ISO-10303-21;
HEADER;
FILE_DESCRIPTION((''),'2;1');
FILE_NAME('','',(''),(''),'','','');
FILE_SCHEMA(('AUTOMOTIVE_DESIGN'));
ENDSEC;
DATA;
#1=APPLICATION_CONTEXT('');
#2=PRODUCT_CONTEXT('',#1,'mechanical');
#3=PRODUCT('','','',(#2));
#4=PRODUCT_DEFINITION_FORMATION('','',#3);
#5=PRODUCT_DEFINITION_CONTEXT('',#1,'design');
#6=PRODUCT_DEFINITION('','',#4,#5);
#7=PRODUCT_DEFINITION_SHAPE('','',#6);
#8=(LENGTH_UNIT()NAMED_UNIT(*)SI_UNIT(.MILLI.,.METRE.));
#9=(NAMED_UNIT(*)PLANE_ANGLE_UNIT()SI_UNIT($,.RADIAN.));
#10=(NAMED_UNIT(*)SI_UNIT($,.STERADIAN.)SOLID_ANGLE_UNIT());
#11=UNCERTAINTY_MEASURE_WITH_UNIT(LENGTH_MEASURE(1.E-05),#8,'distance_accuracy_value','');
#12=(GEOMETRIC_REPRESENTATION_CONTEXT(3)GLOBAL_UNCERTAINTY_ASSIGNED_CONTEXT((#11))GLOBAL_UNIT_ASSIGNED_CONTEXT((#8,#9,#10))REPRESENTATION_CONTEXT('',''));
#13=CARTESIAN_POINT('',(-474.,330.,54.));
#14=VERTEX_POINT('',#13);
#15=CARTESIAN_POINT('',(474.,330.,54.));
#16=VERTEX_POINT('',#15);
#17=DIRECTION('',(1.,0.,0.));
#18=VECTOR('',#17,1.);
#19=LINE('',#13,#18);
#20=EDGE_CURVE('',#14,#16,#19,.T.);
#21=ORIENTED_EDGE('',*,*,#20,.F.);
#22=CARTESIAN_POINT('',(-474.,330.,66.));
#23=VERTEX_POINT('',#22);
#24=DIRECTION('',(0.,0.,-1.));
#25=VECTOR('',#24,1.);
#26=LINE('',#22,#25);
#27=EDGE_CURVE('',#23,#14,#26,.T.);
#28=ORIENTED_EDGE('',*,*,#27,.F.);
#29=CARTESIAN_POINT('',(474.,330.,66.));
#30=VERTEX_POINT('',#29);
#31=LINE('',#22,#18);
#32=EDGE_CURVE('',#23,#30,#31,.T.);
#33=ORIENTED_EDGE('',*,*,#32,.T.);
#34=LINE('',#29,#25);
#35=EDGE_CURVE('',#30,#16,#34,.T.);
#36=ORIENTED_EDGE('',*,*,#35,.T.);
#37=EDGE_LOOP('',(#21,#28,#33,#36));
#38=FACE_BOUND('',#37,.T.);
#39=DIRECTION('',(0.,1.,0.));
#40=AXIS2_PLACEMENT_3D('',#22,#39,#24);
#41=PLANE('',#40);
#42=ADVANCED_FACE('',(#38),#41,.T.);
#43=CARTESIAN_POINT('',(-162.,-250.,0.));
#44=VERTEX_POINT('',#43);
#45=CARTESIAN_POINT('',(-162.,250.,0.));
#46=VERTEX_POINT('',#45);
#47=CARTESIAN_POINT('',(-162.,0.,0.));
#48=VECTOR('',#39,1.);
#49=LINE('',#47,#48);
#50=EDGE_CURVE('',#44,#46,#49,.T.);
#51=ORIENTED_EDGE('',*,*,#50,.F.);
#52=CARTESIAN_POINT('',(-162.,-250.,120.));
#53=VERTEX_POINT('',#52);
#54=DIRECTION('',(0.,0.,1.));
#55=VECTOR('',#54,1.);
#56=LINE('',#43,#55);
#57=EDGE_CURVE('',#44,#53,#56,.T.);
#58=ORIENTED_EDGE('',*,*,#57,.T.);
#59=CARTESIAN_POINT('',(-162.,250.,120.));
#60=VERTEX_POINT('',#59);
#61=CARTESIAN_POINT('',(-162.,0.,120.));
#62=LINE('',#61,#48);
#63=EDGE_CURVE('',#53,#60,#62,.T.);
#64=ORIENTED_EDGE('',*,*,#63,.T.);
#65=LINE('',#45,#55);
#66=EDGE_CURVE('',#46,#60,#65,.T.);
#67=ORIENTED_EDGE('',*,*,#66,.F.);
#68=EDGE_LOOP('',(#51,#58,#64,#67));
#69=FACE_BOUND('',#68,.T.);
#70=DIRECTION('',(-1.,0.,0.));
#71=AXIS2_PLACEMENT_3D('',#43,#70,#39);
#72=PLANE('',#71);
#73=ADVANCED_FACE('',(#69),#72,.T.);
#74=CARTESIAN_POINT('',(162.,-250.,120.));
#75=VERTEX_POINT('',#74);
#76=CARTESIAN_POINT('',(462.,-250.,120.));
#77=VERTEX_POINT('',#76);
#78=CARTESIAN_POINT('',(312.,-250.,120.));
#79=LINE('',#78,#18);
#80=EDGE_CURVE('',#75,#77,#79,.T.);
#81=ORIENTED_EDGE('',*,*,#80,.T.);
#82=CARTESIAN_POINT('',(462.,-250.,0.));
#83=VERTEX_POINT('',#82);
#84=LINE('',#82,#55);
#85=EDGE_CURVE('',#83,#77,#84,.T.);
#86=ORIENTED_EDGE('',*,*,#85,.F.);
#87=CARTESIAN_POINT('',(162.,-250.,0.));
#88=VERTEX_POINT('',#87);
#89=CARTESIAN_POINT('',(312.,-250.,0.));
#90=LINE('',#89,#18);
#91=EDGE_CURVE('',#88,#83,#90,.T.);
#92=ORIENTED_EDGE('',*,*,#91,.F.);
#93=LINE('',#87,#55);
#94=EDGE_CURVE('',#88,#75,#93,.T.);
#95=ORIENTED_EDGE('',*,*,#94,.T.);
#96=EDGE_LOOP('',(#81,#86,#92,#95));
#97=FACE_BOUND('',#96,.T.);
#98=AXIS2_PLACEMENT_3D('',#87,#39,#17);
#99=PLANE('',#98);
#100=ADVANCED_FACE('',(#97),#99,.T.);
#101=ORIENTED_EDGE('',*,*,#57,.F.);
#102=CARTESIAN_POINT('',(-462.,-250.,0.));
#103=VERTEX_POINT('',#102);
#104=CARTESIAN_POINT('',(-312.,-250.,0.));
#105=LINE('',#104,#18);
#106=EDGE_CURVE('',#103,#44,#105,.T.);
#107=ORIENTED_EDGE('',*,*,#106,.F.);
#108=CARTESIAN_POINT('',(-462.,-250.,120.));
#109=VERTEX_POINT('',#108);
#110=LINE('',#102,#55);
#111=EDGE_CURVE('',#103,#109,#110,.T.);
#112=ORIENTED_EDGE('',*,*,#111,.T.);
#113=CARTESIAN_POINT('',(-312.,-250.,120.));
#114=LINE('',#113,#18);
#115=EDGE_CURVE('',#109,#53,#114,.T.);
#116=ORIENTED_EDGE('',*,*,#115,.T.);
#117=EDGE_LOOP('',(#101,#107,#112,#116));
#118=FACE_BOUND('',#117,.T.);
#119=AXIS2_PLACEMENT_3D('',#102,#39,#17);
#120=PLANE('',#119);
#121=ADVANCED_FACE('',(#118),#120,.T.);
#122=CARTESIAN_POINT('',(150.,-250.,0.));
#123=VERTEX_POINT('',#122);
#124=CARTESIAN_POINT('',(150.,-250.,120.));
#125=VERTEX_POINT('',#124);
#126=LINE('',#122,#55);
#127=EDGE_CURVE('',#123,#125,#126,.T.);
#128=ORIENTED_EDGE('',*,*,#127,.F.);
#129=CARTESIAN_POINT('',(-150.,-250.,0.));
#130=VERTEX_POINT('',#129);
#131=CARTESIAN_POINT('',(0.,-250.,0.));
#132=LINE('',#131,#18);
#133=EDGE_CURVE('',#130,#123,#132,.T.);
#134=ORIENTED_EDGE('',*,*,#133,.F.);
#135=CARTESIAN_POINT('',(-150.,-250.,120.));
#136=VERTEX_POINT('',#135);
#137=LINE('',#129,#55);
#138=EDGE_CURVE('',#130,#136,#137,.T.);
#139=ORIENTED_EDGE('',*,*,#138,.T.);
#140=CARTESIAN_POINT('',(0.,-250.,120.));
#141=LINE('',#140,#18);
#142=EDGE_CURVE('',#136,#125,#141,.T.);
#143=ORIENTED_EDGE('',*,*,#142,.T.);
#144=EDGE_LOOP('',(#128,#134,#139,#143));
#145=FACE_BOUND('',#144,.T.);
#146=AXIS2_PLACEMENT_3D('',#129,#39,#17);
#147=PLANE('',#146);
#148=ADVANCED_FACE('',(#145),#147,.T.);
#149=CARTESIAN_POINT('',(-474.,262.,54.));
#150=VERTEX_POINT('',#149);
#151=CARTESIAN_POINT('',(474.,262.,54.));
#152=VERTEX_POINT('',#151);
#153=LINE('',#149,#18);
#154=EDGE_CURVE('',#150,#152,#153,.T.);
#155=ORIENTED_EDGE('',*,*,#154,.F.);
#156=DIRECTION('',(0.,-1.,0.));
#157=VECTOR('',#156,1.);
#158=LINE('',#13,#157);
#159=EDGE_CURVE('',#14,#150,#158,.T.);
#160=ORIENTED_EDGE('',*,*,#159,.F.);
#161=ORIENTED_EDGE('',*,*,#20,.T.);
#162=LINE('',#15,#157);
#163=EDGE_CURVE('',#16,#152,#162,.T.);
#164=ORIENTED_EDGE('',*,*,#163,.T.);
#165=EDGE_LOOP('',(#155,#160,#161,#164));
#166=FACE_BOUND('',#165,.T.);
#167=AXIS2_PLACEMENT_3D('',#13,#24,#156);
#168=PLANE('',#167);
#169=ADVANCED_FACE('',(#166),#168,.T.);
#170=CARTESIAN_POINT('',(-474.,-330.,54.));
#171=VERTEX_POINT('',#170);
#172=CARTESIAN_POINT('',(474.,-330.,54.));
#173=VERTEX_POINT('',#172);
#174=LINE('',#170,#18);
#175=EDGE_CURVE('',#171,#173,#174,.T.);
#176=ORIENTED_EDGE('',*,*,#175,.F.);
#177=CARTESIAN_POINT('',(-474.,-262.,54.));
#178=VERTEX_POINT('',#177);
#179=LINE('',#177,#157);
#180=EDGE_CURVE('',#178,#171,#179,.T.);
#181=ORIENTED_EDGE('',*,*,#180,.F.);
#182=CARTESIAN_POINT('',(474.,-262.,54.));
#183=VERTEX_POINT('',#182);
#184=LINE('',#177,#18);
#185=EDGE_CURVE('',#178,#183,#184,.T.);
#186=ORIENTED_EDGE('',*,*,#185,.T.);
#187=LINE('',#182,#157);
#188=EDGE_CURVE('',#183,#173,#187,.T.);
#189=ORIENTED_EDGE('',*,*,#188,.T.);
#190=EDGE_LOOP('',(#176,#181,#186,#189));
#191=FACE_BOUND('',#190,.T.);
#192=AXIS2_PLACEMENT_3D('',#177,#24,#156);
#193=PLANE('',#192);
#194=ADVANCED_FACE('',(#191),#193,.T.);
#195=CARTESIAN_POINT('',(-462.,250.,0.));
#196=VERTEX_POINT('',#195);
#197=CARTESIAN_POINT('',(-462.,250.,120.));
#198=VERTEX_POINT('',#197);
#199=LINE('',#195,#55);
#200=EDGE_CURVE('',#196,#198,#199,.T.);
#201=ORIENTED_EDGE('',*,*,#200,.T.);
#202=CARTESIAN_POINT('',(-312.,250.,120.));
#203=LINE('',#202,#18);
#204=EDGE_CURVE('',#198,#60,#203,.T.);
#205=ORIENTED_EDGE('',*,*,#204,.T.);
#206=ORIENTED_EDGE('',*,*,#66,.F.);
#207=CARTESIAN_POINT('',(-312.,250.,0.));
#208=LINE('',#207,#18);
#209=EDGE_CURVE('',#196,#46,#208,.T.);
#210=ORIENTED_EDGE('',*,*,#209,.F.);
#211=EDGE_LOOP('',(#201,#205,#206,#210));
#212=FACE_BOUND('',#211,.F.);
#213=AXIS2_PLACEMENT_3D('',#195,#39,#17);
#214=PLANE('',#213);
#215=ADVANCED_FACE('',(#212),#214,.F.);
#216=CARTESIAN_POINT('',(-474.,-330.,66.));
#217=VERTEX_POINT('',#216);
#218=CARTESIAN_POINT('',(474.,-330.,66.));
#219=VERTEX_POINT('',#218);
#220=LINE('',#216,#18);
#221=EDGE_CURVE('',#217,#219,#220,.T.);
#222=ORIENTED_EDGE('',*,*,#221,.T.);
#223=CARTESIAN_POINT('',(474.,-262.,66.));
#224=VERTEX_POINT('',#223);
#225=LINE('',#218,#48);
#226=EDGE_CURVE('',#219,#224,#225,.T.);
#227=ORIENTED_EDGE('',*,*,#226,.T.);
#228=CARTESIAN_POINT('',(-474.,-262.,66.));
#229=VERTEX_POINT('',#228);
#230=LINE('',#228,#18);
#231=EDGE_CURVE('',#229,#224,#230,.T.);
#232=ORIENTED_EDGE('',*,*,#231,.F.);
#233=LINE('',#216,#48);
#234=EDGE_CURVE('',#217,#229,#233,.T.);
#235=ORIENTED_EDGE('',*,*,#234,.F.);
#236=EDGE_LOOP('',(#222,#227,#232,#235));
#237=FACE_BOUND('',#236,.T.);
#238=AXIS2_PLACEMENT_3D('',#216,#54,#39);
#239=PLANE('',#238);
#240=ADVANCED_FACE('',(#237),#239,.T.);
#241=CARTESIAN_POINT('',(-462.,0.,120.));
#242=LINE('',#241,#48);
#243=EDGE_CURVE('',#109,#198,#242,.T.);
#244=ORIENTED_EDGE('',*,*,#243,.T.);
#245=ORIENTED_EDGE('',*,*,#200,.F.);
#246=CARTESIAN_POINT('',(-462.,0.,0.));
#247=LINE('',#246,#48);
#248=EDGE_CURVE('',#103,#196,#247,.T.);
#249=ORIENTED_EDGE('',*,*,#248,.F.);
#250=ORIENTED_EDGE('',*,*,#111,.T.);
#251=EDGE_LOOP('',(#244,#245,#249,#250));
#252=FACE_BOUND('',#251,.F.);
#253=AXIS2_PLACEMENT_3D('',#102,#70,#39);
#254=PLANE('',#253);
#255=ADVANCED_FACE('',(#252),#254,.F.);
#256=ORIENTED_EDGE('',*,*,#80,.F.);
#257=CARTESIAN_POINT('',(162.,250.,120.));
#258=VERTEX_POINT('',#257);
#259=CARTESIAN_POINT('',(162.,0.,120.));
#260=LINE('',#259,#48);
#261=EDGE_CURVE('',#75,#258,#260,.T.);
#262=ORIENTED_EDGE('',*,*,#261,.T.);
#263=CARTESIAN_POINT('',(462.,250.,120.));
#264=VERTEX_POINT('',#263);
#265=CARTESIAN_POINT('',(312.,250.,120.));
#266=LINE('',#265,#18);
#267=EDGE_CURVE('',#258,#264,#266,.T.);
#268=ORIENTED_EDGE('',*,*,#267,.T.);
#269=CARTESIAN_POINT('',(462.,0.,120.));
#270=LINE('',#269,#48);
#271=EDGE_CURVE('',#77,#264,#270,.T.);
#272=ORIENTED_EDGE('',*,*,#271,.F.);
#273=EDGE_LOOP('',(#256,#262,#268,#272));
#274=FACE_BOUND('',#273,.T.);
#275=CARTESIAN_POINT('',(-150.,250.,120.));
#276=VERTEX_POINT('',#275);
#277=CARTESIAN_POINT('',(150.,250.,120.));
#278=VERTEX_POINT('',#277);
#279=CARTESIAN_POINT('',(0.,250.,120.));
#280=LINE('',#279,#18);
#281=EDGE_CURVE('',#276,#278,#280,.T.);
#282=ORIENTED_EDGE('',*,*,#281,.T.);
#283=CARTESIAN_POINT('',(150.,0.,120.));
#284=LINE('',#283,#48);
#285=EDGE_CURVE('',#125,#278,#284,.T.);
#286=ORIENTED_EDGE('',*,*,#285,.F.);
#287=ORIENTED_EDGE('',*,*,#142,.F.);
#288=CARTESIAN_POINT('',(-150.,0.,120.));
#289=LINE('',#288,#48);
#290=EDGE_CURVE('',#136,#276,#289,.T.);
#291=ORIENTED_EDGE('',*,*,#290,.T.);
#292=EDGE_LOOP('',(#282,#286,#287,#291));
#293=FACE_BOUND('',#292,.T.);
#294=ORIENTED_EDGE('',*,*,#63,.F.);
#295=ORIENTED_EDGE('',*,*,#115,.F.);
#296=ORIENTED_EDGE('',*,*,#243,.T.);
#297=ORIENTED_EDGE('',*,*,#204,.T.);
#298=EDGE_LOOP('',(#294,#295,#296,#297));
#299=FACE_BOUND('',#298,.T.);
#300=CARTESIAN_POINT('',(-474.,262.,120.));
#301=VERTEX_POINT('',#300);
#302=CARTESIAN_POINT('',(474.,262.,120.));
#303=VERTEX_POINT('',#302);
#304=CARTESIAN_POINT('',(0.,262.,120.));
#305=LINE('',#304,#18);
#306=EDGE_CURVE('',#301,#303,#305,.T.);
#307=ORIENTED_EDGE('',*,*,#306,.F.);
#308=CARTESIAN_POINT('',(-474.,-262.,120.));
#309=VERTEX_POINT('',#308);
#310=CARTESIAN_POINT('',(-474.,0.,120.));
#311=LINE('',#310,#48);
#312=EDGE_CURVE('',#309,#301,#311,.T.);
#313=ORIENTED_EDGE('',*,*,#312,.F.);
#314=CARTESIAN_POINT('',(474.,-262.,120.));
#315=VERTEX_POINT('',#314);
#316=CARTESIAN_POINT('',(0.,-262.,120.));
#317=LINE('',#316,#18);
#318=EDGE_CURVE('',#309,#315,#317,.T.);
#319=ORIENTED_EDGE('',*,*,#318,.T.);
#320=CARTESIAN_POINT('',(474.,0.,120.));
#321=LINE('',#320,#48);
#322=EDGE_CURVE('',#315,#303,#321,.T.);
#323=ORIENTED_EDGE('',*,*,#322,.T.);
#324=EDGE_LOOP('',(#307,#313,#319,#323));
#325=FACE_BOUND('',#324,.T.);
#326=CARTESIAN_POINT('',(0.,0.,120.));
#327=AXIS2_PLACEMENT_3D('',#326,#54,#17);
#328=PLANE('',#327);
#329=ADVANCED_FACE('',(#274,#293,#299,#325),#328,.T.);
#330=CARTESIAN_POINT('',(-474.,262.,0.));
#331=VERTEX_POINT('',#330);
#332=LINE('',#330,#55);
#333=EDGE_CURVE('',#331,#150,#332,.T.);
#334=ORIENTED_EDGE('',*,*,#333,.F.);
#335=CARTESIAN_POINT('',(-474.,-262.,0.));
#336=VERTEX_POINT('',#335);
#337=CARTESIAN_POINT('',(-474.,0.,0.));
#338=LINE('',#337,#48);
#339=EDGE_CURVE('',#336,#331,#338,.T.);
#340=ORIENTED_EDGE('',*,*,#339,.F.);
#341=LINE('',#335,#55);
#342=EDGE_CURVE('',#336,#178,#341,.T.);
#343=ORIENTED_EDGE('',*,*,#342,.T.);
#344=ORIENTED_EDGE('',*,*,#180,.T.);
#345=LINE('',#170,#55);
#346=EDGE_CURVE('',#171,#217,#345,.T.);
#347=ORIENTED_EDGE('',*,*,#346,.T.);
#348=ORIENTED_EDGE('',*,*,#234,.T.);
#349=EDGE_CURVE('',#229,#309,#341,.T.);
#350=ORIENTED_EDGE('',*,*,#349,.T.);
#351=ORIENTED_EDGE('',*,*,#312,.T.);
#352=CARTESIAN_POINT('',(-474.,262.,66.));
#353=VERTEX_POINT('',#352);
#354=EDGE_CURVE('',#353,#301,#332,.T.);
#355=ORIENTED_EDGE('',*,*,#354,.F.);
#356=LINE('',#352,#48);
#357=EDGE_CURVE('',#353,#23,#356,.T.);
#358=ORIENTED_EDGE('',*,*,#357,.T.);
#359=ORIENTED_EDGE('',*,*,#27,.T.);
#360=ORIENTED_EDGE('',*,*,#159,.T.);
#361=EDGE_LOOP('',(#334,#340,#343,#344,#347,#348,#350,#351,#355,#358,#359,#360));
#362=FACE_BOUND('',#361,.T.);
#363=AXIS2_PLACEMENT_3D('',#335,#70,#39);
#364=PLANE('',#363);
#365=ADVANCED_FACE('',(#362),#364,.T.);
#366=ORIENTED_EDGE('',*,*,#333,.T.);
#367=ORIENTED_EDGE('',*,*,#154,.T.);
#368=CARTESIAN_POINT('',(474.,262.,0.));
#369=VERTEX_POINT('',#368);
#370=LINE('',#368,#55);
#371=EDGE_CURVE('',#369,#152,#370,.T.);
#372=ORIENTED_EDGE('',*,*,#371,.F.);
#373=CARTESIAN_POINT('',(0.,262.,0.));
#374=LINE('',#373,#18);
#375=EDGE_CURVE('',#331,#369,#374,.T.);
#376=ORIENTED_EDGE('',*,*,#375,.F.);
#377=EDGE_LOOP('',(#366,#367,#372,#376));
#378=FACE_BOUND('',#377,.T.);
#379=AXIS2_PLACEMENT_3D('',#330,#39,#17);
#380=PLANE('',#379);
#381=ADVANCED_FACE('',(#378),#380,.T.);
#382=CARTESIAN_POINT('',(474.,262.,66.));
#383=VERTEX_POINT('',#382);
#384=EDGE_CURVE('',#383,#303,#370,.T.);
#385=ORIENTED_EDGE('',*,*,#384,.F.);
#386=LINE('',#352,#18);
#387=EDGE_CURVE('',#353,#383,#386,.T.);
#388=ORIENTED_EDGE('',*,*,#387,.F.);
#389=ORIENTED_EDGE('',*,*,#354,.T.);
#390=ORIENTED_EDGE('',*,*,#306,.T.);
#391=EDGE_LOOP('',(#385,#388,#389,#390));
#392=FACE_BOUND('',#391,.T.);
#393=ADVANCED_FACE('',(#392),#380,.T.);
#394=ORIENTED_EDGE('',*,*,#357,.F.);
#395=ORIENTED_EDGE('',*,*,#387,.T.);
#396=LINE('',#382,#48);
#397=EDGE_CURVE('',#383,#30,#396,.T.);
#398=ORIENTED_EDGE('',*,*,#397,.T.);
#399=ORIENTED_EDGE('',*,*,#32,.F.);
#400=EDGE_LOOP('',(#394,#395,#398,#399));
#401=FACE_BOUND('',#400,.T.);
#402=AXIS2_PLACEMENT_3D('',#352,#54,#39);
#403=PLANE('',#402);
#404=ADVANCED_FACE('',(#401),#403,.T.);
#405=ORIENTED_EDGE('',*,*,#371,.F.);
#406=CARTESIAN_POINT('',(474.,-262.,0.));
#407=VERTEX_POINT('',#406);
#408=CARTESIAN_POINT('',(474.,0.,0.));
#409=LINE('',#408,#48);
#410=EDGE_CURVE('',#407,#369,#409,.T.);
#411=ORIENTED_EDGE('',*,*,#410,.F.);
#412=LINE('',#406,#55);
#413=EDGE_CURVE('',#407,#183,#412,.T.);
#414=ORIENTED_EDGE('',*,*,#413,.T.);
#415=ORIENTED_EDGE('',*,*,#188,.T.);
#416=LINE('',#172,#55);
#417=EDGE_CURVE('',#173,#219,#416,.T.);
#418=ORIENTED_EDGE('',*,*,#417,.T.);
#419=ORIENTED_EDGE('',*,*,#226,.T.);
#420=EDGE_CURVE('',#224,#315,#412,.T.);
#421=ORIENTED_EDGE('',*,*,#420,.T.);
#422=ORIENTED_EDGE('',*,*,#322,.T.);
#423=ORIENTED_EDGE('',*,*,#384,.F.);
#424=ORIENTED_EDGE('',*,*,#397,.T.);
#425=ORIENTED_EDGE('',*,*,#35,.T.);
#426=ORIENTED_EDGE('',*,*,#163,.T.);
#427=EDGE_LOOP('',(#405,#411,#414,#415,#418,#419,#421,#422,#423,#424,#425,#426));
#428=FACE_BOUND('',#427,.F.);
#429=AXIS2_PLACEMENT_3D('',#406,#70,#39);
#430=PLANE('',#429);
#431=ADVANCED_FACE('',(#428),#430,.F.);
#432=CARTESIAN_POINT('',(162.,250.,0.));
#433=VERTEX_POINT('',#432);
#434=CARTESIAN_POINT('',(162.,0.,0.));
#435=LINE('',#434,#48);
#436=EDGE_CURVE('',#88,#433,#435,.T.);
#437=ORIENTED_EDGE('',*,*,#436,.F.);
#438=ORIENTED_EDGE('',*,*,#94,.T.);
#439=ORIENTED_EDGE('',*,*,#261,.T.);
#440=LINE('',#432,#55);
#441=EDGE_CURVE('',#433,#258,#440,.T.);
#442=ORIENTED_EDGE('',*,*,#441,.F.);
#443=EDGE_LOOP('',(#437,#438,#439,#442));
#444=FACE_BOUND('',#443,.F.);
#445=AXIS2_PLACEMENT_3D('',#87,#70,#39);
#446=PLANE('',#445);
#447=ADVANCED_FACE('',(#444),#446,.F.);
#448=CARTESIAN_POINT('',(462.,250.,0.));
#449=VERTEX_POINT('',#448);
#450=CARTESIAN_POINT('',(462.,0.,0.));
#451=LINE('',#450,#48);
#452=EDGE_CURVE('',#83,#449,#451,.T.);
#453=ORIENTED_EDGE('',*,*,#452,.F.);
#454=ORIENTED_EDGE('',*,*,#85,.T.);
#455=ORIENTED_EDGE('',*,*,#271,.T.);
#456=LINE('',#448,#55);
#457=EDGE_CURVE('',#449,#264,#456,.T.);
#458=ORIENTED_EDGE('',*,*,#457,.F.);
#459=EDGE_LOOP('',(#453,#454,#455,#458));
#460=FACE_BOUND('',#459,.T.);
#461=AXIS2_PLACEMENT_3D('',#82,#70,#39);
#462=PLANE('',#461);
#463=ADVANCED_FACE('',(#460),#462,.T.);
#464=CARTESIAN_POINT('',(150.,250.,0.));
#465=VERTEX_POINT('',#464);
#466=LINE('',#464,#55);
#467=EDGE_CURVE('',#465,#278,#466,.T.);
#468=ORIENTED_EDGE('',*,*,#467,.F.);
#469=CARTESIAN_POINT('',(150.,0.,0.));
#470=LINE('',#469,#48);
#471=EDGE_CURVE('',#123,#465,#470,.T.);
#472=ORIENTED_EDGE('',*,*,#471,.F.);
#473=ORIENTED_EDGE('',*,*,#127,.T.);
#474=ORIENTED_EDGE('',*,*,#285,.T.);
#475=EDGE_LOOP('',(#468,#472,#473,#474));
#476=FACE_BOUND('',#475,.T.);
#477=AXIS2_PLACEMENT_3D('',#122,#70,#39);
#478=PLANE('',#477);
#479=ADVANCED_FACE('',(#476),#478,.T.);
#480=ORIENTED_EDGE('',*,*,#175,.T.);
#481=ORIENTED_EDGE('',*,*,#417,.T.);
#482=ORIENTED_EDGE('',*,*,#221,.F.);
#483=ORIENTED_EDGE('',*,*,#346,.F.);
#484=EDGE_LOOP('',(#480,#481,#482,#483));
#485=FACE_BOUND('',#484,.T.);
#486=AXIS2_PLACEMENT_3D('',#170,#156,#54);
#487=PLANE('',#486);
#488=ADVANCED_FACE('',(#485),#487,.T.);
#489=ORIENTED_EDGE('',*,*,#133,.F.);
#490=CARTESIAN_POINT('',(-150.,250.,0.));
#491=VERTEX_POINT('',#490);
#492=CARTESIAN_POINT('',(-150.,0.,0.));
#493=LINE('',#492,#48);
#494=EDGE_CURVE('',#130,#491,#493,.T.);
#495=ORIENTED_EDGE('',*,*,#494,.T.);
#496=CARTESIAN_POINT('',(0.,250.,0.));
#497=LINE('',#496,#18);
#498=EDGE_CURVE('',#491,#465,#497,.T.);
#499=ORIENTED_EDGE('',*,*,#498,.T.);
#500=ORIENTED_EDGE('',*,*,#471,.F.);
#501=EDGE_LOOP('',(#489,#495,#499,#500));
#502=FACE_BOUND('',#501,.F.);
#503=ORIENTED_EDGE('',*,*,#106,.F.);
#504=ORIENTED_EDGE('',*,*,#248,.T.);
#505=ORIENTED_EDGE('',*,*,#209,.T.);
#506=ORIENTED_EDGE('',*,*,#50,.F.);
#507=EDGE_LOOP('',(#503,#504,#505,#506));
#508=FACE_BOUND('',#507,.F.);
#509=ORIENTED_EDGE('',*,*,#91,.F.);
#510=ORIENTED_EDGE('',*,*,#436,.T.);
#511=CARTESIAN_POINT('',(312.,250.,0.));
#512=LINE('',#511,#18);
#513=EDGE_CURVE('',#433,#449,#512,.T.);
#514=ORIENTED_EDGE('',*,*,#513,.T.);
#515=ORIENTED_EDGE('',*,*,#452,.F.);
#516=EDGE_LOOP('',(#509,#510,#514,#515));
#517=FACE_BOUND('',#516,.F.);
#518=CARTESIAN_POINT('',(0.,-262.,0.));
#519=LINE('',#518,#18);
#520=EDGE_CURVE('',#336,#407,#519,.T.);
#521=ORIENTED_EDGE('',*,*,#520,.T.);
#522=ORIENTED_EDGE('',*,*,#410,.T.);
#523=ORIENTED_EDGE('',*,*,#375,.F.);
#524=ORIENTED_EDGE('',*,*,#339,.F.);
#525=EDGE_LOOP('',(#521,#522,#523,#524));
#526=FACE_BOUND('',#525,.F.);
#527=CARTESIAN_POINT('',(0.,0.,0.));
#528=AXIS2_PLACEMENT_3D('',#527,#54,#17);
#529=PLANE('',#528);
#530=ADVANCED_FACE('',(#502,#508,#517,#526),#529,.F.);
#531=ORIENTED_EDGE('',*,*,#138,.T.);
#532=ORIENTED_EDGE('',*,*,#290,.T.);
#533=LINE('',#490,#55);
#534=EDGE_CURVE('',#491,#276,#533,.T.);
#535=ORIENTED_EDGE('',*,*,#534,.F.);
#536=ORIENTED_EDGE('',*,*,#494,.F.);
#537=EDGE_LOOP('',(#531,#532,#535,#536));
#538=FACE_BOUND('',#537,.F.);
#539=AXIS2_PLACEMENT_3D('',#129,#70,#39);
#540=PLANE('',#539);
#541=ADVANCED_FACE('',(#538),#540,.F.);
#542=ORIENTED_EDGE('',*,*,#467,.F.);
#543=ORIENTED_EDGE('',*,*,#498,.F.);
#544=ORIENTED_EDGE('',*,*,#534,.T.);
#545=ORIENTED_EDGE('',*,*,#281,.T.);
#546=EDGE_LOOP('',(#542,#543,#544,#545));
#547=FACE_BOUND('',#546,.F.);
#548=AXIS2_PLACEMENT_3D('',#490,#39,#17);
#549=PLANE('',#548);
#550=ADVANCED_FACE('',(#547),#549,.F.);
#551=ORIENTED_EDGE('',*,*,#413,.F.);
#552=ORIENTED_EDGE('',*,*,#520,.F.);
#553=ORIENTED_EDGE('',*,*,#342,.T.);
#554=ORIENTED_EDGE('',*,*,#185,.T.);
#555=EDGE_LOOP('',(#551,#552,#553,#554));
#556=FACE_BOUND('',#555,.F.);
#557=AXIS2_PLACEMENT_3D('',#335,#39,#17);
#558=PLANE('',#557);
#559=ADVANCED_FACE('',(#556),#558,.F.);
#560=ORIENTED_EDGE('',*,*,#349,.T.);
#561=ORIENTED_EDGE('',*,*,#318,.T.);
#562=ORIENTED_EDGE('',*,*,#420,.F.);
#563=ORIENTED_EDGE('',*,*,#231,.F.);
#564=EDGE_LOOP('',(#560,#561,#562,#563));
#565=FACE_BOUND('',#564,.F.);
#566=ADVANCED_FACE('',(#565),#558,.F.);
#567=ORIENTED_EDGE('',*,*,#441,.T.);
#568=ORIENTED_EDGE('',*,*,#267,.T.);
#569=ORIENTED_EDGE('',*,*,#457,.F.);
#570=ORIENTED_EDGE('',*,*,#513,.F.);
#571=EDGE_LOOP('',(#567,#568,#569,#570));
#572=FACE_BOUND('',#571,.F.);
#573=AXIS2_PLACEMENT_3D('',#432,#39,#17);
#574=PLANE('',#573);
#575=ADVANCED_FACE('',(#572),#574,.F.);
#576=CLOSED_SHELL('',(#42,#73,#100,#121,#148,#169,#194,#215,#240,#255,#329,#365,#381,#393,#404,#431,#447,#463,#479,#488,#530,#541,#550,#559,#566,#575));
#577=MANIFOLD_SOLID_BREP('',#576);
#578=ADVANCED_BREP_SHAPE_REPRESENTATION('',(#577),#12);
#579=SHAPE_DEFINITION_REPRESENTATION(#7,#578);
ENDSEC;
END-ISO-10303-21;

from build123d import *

# Parameters (mm, degrees)
F0_W     = 948
F0_H     = 524
F0_W_2   = 300
F0_H_2   = 500
F1_DEPTH = 120
F3_DEPTH = 948


with BuildPart() as f1:
    # F0 (on Top) → F1 (new body)
    with BuildSketch(Plane.XY):
        Rectangle(F0_W, F0_H)
        with Locations((-312, 0)):
            Rectangle(F0_W_2, F0_H_2, mode=Mode.SUBTRACT)
        Rectangle(F0_W_2, F0_H_2, mode=Mode.SUBTRACT)
        with Locations((312, 0)):
            Rectangle(F0_W_2, F0_H_2, mode=Mode.SUBTRACT)
    extrude(amount=F1_DEPTH)

    # F2 (on face) → F3 (join, through all)
    with BuildSketch(Plane(origin=(-474, 0, 0), x_dir=(0, -1, 0), z_dir=(-1, 0, 0))):
        Polygon((-330, 54), (-262, 54), (-262, 66), (-330, 66), (-330, 60), align=None)
        Polygon((262, 66), (262, 54), (330, 54), (330, 60), (330, 66), align=None)
    extrude(amount=-F3_DEPTH)


solid = f1.part
